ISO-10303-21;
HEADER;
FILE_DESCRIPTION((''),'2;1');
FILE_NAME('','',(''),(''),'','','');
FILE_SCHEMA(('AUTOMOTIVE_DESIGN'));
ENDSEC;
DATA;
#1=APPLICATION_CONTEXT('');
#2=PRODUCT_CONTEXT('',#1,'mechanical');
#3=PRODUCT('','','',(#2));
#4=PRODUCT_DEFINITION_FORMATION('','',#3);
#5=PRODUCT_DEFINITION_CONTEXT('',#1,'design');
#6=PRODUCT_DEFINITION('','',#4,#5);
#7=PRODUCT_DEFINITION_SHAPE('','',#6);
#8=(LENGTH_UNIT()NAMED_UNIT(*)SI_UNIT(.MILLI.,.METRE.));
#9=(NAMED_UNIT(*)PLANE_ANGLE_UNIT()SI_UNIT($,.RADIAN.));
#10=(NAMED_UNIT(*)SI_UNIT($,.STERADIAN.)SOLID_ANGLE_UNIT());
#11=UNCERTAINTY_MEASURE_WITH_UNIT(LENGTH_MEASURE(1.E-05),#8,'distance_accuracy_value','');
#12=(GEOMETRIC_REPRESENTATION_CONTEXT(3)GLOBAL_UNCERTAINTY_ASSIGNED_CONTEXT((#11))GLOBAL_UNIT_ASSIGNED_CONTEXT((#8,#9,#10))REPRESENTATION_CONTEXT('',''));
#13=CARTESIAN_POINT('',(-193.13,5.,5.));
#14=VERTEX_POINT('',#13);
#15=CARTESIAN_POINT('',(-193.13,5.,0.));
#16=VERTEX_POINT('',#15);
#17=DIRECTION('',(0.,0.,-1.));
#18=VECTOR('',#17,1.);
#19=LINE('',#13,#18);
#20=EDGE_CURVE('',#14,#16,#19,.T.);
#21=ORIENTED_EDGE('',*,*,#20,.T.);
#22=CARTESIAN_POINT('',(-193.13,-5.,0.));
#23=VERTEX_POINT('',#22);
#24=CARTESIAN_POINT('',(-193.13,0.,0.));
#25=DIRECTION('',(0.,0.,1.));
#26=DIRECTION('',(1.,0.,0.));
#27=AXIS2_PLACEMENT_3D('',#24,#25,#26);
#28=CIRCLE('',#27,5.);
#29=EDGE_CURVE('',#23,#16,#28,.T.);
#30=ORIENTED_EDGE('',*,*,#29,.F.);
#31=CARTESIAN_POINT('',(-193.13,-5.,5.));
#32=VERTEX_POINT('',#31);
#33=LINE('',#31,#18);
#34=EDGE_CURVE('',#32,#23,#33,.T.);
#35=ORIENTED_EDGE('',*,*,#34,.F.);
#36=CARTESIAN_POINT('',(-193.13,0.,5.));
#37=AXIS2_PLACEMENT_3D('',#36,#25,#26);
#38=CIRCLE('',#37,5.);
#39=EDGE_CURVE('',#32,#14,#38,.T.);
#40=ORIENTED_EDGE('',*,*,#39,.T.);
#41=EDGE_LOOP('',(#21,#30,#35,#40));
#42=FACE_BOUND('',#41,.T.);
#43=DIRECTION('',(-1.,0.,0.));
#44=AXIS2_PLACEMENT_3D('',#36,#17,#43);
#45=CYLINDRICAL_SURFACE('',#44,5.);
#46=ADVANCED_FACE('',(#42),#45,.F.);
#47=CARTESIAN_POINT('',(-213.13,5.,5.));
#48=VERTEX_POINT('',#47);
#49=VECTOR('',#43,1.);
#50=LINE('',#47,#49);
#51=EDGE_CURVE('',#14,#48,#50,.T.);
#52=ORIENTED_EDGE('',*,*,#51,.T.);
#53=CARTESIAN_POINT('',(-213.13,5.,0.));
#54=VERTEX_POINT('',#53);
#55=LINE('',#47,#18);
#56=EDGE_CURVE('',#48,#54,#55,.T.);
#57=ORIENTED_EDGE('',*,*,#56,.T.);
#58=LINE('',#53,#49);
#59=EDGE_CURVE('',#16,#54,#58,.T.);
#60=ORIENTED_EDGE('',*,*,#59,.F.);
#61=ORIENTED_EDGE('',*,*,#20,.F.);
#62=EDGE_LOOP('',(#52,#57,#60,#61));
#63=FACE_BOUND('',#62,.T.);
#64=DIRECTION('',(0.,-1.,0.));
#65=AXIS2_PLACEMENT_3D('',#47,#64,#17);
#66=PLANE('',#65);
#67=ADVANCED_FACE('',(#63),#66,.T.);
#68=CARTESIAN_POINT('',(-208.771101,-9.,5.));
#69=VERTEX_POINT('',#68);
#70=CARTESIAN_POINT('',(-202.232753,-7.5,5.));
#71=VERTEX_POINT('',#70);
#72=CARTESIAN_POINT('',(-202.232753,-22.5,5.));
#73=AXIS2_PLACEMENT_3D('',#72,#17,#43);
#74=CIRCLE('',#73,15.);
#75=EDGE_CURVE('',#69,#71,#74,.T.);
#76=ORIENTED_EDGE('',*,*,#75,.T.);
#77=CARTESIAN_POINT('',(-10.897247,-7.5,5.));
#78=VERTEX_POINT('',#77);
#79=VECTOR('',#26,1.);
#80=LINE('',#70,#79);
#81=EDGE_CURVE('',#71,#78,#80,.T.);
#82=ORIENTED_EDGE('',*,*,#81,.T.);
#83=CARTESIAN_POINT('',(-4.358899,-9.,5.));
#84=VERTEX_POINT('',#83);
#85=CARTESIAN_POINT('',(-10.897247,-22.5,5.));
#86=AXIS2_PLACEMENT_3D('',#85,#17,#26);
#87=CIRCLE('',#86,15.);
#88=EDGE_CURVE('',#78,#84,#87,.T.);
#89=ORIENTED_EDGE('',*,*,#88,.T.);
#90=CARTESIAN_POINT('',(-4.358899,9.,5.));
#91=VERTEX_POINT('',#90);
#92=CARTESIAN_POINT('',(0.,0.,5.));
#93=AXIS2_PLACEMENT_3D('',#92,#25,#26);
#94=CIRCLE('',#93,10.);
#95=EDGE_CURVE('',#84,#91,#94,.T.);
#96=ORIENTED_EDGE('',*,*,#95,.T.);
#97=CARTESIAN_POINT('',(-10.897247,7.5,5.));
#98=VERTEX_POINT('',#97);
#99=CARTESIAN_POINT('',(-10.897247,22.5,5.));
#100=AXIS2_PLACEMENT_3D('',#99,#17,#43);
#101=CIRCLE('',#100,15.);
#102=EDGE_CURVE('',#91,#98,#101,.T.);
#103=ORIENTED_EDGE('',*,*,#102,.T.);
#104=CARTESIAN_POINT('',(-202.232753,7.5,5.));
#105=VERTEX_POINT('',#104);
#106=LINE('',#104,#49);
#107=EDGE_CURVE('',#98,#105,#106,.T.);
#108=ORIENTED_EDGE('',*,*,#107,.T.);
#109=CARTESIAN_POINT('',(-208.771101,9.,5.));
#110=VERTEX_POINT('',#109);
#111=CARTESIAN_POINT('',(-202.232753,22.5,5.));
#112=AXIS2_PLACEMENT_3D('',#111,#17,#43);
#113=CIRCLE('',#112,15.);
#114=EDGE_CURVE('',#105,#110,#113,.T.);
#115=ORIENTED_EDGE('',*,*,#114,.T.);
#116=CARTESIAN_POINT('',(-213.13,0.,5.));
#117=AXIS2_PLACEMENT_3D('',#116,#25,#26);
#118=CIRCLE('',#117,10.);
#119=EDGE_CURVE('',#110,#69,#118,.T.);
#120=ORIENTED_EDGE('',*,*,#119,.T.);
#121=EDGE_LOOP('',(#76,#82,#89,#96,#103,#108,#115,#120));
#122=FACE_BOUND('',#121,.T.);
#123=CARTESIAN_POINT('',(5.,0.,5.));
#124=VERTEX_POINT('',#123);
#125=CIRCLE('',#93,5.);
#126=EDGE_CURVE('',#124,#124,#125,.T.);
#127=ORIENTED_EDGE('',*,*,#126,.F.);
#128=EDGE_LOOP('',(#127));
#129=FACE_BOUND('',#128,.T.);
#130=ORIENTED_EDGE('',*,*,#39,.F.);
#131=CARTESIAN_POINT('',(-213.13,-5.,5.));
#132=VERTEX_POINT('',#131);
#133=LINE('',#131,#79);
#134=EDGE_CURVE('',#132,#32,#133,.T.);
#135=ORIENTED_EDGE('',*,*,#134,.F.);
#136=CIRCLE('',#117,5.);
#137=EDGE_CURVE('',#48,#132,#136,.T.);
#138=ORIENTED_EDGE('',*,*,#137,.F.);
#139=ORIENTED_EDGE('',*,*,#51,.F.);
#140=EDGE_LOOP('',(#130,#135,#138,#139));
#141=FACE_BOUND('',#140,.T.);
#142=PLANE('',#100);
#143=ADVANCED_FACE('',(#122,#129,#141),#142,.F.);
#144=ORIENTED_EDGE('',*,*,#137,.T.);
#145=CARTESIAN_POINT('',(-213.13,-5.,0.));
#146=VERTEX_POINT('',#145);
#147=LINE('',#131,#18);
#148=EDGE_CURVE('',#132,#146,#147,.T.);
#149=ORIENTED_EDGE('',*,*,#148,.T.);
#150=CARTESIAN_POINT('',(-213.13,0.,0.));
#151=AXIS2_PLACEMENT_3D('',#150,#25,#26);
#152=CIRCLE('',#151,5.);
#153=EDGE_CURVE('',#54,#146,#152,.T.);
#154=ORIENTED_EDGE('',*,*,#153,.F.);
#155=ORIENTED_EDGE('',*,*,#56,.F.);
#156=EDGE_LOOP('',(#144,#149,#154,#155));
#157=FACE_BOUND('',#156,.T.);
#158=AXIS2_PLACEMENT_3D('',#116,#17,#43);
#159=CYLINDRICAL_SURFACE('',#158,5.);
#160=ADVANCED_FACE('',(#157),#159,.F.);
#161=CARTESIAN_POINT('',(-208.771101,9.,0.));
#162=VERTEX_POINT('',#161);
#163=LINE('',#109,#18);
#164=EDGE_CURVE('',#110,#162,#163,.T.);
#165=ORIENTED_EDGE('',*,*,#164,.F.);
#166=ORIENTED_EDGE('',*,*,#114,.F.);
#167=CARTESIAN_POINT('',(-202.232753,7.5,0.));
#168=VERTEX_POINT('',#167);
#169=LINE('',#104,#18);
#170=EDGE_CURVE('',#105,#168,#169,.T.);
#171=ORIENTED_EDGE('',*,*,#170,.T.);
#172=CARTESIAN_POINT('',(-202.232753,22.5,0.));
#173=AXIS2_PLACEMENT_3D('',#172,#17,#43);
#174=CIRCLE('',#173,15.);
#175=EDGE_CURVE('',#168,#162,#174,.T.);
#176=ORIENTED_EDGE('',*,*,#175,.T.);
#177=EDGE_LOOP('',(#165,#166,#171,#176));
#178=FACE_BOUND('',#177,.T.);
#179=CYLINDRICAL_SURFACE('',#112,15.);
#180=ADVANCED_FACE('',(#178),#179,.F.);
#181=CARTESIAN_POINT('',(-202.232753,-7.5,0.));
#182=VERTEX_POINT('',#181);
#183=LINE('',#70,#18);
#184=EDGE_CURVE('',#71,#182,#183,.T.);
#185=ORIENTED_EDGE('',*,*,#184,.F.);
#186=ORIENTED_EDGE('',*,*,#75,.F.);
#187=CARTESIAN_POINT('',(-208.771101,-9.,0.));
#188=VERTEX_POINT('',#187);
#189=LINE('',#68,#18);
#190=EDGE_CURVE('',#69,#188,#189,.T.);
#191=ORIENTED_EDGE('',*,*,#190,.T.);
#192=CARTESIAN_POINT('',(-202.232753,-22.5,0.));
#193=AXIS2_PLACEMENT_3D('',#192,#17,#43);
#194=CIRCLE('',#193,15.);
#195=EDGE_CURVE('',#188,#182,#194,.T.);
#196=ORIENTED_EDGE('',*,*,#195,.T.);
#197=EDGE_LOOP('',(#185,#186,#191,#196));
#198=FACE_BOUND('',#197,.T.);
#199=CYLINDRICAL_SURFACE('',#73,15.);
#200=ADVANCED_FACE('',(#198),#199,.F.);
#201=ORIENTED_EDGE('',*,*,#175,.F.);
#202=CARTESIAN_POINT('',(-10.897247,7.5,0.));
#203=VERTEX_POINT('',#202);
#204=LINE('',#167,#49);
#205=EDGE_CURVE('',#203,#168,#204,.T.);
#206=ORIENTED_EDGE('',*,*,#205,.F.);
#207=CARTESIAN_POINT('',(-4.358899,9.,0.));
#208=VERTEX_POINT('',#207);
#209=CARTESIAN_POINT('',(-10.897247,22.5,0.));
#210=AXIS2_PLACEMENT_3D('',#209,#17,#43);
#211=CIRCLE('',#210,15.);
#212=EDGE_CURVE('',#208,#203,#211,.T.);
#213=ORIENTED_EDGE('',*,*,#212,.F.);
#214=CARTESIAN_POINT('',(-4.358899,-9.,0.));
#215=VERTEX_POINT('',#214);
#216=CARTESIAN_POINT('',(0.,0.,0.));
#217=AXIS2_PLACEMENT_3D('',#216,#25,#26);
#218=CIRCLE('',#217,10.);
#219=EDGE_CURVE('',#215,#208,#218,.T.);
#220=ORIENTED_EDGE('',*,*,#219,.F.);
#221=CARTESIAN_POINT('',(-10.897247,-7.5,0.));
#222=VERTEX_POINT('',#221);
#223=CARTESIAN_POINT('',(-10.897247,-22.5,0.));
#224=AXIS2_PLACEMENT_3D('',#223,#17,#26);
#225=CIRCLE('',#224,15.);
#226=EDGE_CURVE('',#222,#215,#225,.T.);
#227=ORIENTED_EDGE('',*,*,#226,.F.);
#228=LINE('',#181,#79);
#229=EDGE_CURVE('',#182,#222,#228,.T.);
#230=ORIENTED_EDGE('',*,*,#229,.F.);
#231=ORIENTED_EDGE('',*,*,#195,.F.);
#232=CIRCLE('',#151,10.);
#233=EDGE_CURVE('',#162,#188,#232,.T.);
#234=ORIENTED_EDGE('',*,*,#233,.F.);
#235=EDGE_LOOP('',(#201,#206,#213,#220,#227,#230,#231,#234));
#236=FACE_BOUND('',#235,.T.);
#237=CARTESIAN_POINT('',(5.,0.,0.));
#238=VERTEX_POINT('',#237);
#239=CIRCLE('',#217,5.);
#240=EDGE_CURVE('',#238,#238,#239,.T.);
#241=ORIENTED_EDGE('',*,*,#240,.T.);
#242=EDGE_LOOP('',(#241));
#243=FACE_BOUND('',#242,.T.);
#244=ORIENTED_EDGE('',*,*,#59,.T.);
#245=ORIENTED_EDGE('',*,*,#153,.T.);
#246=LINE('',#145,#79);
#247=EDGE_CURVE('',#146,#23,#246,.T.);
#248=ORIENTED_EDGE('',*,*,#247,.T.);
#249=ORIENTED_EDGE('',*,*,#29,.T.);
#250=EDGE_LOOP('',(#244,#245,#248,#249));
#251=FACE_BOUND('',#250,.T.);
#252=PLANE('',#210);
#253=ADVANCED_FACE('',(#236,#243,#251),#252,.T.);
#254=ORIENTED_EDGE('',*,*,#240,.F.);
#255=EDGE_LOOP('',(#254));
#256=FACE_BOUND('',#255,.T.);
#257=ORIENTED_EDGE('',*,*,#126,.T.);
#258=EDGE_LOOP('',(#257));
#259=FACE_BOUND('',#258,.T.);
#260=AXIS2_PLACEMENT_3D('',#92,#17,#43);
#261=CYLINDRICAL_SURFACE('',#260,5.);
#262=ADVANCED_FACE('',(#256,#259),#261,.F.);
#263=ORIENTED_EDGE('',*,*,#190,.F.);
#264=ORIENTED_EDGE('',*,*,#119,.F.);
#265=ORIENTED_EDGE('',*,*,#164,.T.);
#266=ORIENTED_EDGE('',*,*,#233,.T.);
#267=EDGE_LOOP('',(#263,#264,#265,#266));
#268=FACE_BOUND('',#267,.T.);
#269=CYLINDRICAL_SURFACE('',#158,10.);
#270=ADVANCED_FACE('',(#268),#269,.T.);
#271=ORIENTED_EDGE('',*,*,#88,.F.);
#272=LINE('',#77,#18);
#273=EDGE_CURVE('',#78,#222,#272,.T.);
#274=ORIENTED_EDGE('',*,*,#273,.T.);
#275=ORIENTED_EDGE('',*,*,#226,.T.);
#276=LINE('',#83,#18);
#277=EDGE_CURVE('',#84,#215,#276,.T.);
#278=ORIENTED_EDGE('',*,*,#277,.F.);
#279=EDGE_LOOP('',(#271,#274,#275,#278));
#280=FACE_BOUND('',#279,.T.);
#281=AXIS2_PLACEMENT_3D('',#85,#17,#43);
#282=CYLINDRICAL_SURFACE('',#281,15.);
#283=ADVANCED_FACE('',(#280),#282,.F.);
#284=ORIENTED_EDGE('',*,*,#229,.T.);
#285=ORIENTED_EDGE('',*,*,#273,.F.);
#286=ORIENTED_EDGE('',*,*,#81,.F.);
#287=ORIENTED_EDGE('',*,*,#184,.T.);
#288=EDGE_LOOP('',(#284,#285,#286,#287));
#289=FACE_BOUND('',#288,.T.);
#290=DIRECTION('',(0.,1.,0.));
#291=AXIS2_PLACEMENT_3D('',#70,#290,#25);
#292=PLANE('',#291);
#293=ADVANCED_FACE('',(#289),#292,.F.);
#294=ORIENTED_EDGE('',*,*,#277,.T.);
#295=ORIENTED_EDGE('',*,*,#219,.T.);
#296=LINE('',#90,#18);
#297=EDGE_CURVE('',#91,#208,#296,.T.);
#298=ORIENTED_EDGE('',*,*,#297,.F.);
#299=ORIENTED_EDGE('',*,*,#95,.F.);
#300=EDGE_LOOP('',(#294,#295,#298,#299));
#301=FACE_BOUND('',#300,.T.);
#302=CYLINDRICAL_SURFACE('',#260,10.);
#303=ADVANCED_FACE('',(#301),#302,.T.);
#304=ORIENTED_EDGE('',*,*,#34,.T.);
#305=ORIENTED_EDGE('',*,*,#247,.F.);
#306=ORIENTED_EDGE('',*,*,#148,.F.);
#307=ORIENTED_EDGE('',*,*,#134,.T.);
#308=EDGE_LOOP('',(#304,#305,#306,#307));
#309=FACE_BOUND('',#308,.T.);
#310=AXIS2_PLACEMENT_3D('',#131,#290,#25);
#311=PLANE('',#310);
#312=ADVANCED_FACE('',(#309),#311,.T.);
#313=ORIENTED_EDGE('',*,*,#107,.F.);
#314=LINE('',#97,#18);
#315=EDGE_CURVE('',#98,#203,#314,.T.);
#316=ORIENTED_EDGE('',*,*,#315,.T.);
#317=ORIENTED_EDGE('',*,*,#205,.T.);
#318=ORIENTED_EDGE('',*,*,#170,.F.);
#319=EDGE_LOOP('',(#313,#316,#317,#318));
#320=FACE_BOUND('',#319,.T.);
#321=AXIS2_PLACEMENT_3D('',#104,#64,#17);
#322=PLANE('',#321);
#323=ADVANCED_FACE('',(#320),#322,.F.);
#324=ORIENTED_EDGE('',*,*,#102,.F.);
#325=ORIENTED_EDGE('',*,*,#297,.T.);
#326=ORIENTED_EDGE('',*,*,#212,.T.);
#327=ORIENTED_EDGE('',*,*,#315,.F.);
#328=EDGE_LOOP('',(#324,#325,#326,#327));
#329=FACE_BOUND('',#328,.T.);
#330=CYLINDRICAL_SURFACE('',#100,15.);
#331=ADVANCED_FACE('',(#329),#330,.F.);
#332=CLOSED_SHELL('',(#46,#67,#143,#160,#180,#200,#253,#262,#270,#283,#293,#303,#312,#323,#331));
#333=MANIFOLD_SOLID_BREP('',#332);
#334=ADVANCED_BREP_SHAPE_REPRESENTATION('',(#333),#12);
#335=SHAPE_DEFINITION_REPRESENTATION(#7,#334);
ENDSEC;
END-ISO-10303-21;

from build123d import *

# Parameters (mm, degrees)
SKETCH1_R           = 5
BOSS_EXTRUDE1_DEPTH = 5


with BuildPart() as part:
    # Sketch1 → Boss-Extrude1 (new body)
    with BuildSketch(Plane.XY):
        with BuildLine():
            Line((-202.232752641, -7.5), (-10.897247359, -7.5))
            ThreePointArc((-10.897247359, -7.5), (-7.543145393, -7.879808483), (-4.358898944, -9))
            ThreePointArc((-4.358898944, -9), (10, 0), (-4.358898944, 9))
            ThreePointArc((-4.358898944, 9), (-7.543145393, 7.879808483), (-10.897247359, 7.5))
            Line((-10.897247359, 7.5), (-202.232752641, 7.5))
            ThreePointArc((-202.232752641, 7.5), (-205.586854607, 7.879808483), (-208.771101056, 9))
            ThreePointArc((-208.771101056, 9), (-223.13, 0), (-208.771101056, -9))
            ThreePointArc((-208.771101056, -9), (-205.586854607, -7.879808483), (-202.232752641, -7.5))
        make_face()
        Circle(SKETCH1_R, mode=Mode.SUBTRACT)
        with BuildLine():
            Line((-213.13, 5), (-193.13, 5))
            ThreePointArc((-193.13, 5), (-188.13, 0), (-193.13, -5))
            Line((-193.13, -5), (-213.13, -5))
            ThreePointArc((-213.13, -5), (-218.13, 0), (-213.13, 5))
        make_face(mode=Mode.SUBTRACT)
    extrude(amount=BOSS_EXTRUDE1_DEPTH)


solid = part.part
